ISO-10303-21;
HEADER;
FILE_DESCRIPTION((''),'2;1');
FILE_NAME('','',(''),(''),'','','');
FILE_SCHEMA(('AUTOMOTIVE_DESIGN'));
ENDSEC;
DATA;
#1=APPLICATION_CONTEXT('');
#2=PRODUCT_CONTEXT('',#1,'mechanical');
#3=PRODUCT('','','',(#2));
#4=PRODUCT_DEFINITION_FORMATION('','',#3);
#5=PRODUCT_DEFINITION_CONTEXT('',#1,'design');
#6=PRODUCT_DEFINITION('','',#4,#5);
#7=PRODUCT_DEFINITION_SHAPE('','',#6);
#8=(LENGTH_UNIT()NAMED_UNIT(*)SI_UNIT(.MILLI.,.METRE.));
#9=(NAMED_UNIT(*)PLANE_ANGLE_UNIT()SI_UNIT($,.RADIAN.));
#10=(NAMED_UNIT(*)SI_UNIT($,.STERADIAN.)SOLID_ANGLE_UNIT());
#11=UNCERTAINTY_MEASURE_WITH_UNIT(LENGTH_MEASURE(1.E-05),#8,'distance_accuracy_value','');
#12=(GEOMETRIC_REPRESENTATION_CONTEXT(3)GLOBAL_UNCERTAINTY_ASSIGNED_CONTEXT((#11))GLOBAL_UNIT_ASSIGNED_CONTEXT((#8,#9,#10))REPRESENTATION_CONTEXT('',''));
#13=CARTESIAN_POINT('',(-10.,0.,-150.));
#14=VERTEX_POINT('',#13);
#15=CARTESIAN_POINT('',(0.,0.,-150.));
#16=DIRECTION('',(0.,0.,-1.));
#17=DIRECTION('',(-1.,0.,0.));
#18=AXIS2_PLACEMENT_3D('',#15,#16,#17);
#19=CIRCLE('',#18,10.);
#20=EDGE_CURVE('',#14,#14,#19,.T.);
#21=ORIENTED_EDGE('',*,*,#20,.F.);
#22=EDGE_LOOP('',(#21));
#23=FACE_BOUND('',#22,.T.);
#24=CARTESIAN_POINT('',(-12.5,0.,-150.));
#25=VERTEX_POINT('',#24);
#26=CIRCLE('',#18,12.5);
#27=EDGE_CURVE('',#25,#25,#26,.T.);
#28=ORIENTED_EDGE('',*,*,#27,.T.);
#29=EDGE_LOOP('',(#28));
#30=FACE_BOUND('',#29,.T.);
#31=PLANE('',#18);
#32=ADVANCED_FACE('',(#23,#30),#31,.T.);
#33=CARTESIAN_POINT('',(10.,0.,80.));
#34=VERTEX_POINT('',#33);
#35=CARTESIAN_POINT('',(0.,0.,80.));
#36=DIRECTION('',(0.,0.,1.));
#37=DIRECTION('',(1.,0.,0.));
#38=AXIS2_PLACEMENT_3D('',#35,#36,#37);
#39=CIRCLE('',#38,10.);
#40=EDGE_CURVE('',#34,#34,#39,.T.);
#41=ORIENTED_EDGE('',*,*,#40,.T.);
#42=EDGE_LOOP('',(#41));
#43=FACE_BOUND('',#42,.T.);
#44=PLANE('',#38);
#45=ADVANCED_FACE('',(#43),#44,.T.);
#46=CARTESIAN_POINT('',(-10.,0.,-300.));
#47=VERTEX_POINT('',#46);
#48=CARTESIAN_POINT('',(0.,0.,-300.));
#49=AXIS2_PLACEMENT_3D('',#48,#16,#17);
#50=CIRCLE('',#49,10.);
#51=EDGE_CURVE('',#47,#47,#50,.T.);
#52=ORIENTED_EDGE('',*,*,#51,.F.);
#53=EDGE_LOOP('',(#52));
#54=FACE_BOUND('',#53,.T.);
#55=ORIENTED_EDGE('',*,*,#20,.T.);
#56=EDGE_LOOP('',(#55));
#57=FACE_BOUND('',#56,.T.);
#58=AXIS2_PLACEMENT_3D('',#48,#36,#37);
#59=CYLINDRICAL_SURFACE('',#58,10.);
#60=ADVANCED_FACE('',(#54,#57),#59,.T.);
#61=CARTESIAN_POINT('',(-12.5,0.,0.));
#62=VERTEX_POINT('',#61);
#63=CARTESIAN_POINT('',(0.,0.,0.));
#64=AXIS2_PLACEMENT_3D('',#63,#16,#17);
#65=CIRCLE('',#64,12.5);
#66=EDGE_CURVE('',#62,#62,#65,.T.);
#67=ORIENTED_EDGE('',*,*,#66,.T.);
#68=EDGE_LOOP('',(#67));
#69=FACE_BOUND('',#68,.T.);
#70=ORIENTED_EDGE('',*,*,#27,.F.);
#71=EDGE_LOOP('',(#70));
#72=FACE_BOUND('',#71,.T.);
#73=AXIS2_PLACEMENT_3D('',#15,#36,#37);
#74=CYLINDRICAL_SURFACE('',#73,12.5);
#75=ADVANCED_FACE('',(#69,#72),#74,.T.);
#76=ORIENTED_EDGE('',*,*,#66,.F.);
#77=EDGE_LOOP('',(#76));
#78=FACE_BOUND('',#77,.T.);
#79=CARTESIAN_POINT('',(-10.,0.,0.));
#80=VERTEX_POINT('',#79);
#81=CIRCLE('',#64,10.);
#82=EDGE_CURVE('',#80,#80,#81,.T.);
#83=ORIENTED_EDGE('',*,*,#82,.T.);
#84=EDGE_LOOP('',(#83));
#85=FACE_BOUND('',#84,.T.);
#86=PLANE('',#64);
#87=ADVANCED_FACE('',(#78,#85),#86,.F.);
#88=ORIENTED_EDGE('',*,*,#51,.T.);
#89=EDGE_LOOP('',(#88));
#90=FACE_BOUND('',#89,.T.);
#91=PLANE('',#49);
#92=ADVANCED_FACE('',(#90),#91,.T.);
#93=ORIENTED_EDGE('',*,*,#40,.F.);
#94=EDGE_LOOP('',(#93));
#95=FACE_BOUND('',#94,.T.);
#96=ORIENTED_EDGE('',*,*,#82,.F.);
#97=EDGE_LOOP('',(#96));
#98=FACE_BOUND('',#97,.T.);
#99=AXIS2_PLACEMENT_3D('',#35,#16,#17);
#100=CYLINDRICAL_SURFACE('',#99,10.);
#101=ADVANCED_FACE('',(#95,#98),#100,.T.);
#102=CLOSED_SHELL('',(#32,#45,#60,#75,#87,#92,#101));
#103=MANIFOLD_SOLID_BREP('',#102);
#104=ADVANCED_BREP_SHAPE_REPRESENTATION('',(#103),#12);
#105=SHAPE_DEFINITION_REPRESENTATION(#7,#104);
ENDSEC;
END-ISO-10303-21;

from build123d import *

# Parameters (mm, degrees)
CROQUIS1_R              = 10
SALIENTE_EXTRUIR1_DEPTH = 80
CROQUIS2_R              = 12.5
SALIENTE_EXTRUIR2_DEPTH = 150
CROQUIS3_R              = 10
SALIENTE_EXTRUIR3_DEPTH = 150


with BuildPart() as part:
    # Croquis1 → Saliente-Extruir1 (new body)
    with BuildSketch(Plane.XY):
        Circle(CROQUIS1_R)
    extrude(amount=SALIENTE_EXTRUIR1_DEPTH)

    # Croquis2 → Saliente-Extruir2 (add)
    with BuildSketch(Plane(origin=(0, 0, 0), x_dir=(-1, 0, 0), z_dir=(0, 0, -1))):
        Circle(CROQUIS2_R)
    extrude(amount=SALIENTE_EXTRUIR2_DEPTH)

    # Croquis3 → Saliente-Extruir3 (add)
    with BuildSketch(Plane(origin=(0, 0, -150), x_dir=(-1, 0, 0), z_dir=(0, 0, -1))):
        Circle(CROQUIS3_R)
    extrude(amount=SALIENTE_EXTRUIR3_DEPTH)


solid = part.part
